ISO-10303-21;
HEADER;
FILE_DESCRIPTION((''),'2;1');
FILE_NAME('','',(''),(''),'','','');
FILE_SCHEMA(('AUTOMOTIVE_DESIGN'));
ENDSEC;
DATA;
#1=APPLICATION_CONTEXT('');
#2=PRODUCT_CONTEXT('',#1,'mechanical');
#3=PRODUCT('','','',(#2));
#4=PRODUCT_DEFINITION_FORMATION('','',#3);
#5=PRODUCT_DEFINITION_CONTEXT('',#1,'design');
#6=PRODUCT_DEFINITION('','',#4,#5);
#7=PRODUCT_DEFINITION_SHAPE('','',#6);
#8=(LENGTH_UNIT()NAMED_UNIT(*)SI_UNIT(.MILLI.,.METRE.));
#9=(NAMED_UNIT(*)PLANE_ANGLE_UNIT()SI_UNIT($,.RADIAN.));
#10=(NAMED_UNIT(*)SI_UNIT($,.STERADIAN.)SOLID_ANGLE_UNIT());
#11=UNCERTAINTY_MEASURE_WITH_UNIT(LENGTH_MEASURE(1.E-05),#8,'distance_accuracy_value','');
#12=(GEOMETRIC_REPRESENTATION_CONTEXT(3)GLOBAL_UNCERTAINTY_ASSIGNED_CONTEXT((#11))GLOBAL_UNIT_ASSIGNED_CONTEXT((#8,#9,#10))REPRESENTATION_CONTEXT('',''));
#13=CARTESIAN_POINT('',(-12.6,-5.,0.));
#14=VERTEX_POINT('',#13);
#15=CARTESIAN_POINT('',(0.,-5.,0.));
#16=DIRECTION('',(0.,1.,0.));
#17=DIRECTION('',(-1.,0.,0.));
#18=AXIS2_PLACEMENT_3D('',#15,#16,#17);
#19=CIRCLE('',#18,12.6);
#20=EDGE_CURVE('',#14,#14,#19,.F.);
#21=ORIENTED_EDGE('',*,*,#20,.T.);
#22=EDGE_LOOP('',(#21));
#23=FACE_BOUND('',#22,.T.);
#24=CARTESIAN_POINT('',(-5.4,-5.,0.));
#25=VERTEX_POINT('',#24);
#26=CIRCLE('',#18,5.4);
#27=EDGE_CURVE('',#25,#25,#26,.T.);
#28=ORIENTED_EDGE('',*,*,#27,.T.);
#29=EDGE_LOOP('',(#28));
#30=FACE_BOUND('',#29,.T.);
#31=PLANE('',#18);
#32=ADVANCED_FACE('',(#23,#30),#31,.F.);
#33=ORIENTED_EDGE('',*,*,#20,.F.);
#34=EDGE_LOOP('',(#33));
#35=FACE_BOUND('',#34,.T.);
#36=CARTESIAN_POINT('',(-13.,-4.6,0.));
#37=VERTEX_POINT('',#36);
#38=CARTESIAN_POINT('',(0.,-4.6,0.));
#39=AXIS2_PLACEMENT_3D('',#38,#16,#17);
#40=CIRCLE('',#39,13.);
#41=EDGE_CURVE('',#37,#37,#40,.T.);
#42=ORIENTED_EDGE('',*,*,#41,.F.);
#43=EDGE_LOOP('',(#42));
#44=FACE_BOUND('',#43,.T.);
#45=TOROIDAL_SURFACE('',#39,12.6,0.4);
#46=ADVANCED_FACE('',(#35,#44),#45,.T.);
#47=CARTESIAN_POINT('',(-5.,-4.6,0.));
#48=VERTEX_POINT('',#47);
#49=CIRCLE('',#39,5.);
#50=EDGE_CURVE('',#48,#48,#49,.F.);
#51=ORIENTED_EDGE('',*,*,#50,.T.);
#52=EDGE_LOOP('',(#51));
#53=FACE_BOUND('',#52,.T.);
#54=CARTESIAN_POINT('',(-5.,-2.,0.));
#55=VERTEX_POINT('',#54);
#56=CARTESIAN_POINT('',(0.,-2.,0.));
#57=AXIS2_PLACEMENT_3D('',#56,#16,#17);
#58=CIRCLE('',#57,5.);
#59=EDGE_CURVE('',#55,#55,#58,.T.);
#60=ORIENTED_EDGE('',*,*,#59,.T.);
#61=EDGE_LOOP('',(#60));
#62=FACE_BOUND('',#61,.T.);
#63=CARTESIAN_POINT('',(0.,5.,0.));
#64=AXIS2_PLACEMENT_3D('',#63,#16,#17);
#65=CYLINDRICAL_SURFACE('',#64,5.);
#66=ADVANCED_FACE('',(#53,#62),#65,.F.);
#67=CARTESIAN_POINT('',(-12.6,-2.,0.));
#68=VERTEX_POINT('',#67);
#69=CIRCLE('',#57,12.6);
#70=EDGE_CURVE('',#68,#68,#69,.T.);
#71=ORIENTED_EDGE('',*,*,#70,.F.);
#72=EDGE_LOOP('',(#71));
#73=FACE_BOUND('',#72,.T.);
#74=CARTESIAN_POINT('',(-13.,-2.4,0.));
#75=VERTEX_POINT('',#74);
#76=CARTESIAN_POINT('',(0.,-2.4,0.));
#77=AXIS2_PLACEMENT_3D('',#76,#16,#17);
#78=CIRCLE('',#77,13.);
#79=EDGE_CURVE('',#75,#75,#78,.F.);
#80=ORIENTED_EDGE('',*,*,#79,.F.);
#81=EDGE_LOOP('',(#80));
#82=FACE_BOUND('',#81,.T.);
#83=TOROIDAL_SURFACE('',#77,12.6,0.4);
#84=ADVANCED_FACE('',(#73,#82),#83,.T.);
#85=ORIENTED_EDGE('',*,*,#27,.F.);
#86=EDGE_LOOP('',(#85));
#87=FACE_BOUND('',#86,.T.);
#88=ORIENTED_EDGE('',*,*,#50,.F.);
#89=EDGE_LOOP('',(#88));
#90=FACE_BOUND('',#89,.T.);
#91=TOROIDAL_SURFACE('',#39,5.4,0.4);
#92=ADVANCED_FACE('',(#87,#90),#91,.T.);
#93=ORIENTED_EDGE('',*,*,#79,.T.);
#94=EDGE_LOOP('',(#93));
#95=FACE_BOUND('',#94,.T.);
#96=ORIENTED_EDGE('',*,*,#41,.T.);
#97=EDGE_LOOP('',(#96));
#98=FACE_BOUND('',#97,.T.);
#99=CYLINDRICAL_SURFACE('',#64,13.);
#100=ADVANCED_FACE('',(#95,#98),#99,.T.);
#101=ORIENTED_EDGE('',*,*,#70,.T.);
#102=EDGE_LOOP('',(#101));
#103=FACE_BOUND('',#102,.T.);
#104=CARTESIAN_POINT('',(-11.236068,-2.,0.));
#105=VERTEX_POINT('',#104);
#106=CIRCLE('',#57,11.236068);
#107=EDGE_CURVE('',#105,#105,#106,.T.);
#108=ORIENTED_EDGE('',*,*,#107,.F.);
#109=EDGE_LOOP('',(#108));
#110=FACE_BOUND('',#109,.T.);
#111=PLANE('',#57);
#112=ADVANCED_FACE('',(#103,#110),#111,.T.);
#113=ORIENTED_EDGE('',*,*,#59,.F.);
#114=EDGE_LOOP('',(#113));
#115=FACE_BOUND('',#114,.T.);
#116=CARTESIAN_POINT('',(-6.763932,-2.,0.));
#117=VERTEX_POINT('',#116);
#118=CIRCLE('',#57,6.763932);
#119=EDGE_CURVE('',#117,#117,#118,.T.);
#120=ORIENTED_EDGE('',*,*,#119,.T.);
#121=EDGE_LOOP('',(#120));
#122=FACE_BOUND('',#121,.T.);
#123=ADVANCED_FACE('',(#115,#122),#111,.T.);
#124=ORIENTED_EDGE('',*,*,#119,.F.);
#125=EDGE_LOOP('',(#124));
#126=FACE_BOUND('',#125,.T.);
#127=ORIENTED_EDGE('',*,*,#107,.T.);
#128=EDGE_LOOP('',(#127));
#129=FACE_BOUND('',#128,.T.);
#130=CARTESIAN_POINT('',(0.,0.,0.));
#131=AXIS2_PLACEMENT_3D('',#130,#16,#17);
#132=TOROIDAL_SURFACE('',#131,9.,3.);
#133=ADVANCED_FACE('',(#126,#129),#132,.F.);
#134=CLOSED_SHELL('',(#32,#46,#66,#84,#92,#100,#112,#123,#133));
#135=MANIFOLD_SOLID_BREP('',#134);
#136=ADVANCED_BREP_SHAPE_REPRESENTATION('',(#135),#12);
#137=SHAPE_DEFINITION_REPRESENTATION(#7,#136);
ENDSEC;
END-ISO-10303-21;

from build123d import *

# Parameters (mm, degrees)
FILLET1_R = 0.4


with BuildPart() as part:
    # Sketch1 → Revolve1 (revolve)
    with BuildSketch(Plane.XY):
        with BuildLine():
            Line((5, -2), (5, -5))
            Line((5, -5), (13, -5))
            Line((13, -5), (13, -2))
            Line((13, -2), (11.236067977, -2))
            ThreePointArc((11.236067977, -2), (9, -3), (6.763932023, -2))
            Line((6.763932023, -2), (5, -2))
        make_face()
    revolve(axis=Axis((0, 5, 0), (0, -1, 0)))

    # Fillet1
    fillet1_edges = [part.edges().sort_by_distance(p)[0] for p in [
        (-13, -5, 0),
        (-13, -2, 0),
        (-5, -5, 0),
    ]]
    fillet(fillet1_edges, radius=FILLET1_R)


solid = part.part
